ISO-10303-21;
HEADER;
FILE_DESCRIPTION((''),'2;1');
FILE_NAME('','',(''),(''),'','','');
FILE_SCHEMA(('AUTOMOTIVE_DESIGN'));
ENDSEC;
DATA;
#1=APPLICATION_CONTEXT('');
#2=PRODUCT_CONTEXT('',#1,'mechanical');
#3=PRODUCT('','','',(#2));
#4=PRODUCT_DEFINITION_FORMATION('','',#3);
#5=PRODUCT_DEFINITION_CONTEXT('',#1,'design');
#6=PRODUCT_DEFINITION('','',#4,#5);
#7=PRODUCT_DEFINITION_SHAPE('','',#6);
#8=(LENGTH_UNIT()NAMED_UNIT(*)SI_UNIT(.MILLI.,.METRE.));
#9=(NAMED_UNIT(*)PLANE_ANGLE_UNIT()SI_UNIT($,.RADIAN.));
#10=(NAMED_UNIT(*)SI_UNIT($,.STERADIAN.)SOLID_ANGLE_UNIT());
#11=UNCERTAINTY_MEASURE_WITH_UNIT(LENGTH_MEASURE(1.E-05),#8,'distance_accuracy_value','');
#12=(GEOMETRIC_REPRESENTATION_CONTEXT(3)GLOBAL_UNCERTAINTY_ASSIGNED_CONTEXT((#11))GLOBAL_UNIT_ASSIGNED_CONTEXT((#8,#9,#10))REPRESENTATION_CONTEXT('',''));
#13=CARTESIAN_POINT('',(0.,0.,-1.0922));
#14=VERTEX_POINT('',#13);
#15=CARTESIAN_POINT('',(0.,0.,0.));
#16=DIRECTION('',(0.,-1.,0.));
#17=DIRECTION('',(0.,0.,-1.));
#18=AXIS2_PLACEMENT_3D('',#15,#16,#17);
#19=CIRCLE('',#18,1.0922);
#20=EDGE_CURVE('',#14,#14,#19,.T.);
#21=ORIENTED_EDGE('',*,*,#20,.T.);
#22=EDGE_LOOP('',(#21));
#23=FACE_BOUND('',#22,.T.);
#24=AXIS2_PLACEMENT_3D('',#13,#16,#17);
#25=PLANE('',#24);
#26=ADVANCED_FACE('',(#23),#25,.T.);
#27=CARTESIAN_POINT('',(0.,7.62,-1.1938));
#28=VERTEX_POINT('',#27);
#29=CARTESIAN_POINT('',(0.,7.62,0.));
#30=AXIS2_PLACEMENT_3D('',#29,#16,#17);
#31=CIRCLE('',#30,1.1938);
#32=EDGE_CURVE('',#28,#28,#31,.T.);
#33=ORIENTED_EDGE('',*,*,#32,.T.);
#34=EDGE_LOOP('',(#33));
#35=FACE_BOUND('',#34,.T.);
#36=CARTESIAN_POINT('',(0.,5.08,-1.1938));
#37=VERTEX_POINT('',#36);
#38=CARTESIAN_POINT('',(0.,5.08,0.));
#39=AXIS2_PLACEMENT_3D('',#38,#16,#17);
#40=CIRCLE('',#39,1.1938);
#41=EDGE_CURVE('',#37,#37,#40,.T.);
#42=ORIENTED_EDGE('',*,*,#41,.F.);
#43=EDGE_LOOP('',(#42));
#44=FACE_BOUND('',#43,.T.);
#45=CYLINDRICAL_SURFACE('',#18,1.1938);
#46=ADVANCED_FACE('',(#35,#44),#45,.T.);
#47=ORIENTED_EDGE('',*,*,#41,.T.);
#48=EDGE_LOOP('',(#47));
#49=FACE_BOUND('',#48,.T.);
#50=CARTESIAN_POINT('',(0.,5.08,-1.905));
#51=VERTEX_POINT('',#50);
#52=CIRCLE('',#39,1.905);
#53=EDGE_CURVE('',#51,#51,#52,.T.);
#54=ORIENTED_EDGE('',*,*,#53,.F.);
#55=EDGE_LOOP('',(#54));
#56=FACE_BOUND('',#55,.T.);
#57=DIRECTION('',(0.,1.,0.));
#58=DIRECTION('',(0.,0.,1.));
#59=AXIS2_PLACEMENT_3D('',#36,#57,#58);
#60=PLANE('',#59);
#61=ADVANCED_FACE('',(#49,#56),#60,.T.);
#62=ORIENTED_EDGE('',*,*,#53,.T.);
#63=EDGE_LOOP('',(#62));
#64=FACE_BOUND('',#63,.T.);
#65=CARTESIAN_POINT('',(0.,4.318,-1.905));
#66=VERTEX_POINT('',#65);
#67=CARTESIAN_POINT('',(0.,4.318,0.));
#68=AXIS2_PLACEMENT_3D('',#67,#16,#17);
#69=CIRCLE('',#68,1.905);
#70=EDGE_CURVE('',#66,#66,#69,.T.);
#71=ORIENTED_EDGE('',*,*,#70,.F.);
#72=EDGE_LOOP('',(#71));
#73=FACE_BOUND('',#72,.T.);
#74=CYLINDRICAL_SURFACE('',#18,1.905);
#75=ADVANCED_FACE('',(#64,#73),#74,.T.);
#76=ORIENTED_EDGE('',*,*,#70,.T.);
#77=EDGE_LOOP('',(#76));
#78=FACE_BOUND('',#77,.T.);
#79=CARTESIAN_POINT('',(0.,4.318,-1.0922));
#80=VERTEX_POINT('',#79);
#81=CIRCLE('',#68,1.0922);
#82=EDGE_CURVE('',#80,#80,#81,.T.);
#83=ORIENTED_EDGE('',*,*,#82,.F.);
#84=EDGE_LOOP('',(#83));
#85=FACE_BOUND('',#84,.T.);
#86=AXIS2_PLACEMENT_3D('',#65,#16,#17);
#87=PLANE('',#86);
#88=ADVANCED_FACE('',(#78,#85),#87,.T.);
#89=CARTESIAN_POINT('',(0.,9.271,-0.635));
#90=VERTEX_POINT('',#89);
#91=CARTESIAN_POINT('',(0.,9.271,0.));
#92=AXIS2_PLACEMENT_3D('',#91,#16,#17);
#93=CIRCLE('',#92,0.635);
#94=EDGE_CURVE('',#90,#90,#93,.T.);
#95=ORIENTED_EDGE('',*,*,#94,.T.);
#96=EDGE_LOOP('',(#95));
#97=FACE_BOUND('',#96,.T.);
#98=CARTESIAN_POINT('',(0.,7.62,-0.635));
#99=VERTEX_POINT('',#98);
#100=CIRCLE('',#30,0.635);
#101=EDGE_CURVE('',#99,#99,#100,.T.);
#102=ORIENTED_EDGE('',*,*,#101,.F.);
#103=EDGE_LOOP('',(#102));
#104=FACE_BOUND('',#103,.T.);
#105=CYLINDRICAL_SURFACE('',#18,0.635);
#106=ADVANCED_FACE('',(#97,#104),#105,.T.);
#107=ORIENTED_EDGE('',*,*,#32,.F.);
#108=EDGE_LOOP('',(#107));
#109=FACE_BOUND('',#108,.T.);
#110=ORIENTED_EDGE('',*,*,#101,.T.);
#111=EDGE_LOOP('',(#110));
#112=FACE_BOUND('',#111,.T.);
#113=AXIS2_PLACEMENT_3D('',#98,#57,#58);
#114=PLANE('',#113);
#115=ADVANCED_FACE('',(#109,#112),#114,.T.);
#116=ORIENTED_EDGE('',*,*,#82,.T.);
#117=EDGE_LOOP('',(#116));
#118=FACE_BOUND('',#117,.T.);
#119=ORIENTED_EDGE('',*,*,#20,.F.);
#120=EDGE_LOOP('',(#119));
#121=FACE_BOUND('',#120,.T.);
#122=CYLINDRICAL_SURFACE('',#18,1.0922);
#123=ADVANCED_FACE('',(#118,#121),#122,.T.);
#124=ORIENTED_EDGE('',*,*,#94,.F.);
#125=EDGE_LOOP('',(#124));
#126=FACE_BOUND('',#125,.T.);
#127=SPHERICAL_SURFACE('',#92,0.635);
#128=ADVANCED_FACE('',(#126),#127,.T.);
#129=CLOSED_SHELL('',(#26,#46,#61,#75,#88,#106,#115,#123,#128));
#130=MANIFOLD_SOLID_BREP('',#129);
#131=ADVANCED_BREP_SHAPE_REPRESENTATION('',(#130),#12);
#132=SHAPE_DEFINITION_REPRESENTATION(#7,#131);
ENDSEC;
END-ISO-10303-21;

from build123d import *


with BuildPart() as part:
    # Sketch1 → Revolve1 (revolve)
    with BuildSketch(Plane(origin=(0, 0, 0), x_dir=(0, 0, -1), z_dir=(1, 0, 0))):
        with BuildLine():
            Line((0.635, 7.62), (1.1938, 7.62))
            Line((1.1938, 7.62), (1.1938, 5.08))
            Line((1.1938, 5.08), (1.905, 5.08))
            Line((1.905, 5.08), (1.905, 4.318))
            Line((1.905, 4.318), (1.0922, 4.318))
            Line((1.0922, 4.318), (1.0922, 0))
            Line((1.0922, 0), (0, 0))
            Line((0, 0), (0, 9.906))
            ThreePointArc((0, 9.906), (0.449012806, 9.720012806), (0.635, 9.271))
            Line((0.635, 9.271), (0.635, 7.62))
        make_face()
    revolve(axis=Axis((0, 0, 0), (0, 1, 0)))


solid = part.part
